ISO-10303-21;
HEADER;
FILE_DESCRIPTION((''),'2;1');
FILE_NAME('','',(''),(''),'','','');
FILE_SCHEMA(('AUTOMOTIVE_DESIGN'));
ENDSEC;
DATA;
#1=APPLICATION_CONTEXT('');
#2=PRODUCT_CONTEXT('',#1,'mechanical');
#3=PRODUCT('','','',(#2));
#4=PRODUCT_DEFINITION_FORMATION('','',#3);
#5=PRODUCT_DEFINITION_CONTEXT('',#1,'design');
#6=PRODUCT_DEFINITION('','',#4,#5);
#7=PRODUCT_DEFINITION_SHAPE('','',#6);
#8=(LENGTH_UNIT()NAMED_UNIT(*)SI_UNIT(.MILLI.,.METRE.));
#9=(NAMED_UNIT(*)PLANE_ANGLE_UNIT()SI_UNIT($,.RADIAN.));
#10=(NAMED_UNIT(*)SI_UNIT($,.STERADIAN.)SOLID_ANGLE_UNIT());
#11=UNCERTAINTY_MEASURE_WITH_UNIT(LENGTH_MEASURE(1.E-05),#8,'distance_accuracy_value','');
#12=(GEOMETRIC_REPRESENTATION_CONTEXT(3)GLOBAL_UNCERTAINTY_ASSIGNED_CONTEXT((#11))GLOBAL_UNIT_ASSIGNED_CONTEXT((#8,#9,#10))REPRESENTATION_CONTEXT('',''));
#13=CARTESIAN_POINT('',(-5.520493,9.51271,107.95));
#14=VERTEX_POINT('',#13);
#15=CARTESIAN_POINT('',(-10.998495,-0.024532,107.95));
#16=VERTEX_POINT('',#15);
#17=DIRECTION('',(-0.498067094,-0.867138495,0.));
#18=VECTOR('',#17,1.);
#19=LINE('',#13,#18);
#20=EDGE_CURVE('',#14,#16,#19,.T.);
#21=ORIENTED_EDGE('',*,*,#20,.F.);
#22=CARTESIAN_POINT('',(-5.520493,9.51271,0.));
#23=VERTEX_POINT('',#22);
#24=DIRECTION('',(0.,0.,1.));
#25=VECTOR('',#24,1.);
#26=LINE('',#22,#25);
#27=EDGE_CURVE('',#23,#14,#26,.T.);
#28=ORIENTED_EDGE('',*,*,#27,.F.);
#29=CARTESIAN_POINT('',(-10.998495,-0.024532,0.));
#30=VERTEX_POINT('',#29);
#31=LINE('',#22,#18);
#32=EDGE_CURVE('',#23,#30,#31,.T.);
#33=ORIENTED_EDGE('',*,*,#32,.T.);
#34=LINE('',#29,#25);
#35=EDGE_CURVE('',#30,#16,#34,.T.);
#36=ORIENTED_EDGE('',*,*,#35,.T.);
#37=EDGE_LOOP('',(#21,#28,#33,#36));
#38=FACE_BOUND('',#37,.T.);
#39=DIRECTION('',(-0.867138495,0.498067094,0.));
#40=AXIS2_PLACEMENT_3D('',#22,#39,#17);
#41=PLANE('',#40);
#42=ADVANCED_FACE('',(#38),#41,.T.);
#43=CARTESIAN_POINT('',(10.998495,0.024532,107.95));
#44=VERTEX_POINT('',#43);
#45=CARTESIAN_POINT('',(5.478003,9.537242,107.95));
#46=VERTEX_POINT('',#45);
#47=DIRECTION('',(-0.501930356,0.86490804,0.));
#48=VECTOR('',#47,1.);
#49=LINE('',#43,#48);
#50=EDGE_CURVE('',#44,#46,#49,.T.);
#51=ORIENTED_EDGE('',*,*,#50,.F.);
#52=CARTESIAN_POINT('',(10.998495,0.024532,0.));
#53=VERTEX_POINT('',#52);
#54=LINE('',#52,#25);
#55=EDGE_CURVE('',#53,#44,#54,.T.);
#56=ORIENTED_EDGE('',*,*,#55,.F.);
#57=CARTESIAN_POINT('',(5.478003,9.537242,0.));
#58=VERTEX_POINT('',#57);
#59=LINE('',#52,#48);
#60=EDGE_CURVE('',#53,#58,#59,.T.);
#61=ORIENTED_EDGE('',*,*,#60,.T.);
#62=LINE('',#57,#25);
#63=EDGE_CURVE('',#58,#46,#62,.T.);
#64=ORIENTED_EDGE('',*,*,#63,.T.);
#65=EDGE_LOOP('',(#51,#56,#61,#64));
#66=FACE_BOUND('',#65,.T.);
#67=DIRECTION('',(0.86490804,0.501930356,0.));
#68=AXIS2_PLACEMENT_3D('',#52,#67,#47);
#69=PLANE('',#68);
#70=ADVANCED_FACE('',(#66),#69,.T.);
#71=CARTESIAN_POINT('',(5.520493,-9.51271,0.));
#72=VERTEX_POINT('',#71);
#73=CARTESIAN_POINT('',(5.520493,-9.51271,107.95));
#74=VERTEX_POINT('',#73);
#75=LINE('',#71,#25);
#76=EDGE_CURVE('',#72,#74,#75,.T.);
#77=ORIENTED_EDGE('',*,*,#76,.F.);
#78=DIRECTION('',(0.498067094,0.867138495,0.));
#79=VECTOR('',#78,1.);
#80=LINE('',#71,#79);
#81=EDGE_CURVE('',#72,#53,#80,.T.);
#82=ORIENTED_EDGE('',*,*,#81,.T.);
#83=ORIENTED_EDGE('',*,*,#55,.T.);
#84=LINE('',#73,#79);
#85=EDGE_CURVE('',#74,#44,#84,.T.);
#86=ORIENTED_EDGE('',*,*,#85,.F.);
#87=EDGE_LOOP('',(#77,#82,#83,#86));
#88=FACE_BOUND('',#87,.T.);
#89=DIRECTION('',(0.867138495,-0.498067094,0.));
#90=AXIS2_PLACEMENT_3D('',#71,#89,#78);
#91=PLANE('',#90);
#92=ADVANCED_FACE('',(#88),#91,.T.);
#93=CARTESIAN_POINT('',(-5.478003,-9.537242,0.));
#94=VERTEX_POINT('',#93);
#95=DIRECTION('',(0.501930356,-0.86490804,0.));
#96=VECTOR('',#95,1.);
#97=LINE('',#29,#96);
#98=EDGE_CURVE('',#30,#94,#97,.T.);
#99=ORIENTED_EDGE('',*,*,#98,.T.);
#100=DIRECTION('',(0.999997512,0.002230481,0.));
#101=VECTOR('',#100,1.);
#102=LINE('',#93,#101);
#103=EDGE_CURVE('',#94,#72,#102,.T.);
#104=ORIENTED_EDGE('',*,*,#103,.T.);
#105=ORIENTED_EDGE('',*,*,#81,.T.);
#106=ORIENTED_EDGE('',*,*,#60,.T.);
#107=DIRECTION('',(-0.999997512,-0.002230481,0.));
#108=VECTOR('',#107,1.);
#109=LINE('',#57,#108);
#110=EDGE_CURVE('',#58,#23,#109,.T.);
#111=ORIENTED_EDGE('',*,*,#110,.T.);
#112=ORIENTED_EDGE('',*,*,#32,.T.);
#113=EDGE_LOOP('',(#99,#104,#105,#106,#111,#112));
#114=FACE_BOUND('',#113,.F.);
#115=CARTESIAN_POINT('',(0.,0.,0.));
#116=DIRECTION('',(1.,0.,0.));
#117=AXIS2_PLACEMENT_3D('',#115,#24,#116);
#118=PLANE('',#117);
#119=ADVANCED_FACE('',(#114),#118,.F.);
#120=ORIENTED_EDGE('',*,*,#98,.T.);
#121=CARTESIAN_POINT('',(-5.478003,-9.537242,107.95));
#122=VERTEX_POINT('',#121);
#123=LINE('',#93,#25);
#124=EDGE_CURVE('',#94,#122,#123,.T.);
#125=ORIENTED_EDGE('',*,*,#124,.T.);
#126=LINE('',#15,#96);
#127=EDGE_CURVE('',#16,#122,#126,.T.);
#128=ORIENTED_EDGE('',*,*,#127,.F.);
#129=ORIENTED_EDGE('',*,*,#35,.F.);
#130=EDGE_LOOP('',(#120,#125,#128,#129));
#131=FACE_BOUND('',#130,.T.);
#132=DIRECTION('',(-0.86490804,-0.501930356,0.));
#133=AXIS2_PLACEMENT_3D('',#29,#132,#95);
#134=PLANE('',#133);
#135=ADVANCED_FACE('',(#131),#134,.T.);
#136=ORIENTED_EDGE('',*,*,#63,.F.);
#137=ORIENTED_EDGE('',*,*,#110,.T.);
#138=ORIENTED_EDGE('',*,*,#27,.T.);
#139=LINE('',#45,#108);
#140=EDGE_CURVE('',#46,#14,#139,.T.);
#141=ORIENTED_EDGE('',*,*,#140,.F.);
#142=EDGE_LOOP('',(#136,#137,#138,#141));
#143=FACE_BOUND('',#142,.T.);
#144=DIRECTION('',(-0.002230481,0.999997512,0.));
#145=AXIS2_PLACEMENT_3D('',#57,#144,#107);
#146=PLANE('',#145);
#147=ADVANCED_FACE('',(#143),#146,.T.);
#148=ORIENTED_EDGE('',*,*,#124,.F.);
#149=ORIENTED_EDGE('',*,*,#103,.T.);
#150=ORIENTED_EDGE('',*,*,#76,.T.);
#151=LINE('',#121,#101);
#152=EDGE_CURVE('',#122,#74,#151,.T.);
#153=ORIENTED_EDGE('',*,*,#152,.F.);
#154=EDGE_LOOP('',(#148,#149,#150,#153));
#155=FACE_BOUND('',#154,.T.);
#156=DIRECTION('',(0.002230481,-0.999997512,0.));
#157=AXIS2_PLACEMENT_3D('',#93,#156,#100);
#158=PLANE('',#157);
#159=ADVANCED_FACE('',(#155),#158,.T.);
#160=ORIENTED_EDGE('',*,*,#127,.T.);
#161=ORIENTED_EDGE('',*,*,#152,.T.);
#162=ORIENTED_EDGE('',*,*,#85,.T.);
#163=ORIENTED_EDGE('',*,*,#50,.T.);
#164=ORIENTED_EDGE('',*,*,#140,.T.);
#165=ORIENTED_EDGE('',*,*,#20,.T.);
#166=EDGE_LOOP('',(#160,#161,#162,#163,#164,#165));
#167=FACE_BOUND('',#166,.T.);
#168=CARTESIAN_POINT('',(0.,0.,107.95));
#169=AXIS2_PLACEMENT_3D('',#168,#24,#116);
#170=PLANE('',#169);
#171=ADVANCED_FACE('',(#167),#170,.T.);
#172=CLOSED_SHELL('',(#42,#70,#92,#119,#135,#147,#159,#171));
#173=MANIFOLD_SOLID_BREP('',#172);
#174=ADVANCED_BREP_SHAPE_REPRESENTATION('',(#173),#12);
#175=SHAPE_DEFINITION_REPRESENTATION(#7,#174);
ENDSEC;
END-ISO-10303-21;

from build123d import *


with BuildPart() as f2:
    # F2: sweep along a path in F1
    with BuildLine(Plane.YZ) as f2_path:
        Line((0, 0), (0, 107.95))
    # F0 (on Top) → F2 (sweep)
    with BuildSketch(Plane.XY):
        Polygon((5.520493, -9.51271), (10.998495, 0.024532), (5.478003, 9.537242), (-5.520493, 9.51271), (-10.998495, -0.024532), (-5.478003, -9.537242), align=None)
    sweep(path=f2_path.line)


solid = f2.part
